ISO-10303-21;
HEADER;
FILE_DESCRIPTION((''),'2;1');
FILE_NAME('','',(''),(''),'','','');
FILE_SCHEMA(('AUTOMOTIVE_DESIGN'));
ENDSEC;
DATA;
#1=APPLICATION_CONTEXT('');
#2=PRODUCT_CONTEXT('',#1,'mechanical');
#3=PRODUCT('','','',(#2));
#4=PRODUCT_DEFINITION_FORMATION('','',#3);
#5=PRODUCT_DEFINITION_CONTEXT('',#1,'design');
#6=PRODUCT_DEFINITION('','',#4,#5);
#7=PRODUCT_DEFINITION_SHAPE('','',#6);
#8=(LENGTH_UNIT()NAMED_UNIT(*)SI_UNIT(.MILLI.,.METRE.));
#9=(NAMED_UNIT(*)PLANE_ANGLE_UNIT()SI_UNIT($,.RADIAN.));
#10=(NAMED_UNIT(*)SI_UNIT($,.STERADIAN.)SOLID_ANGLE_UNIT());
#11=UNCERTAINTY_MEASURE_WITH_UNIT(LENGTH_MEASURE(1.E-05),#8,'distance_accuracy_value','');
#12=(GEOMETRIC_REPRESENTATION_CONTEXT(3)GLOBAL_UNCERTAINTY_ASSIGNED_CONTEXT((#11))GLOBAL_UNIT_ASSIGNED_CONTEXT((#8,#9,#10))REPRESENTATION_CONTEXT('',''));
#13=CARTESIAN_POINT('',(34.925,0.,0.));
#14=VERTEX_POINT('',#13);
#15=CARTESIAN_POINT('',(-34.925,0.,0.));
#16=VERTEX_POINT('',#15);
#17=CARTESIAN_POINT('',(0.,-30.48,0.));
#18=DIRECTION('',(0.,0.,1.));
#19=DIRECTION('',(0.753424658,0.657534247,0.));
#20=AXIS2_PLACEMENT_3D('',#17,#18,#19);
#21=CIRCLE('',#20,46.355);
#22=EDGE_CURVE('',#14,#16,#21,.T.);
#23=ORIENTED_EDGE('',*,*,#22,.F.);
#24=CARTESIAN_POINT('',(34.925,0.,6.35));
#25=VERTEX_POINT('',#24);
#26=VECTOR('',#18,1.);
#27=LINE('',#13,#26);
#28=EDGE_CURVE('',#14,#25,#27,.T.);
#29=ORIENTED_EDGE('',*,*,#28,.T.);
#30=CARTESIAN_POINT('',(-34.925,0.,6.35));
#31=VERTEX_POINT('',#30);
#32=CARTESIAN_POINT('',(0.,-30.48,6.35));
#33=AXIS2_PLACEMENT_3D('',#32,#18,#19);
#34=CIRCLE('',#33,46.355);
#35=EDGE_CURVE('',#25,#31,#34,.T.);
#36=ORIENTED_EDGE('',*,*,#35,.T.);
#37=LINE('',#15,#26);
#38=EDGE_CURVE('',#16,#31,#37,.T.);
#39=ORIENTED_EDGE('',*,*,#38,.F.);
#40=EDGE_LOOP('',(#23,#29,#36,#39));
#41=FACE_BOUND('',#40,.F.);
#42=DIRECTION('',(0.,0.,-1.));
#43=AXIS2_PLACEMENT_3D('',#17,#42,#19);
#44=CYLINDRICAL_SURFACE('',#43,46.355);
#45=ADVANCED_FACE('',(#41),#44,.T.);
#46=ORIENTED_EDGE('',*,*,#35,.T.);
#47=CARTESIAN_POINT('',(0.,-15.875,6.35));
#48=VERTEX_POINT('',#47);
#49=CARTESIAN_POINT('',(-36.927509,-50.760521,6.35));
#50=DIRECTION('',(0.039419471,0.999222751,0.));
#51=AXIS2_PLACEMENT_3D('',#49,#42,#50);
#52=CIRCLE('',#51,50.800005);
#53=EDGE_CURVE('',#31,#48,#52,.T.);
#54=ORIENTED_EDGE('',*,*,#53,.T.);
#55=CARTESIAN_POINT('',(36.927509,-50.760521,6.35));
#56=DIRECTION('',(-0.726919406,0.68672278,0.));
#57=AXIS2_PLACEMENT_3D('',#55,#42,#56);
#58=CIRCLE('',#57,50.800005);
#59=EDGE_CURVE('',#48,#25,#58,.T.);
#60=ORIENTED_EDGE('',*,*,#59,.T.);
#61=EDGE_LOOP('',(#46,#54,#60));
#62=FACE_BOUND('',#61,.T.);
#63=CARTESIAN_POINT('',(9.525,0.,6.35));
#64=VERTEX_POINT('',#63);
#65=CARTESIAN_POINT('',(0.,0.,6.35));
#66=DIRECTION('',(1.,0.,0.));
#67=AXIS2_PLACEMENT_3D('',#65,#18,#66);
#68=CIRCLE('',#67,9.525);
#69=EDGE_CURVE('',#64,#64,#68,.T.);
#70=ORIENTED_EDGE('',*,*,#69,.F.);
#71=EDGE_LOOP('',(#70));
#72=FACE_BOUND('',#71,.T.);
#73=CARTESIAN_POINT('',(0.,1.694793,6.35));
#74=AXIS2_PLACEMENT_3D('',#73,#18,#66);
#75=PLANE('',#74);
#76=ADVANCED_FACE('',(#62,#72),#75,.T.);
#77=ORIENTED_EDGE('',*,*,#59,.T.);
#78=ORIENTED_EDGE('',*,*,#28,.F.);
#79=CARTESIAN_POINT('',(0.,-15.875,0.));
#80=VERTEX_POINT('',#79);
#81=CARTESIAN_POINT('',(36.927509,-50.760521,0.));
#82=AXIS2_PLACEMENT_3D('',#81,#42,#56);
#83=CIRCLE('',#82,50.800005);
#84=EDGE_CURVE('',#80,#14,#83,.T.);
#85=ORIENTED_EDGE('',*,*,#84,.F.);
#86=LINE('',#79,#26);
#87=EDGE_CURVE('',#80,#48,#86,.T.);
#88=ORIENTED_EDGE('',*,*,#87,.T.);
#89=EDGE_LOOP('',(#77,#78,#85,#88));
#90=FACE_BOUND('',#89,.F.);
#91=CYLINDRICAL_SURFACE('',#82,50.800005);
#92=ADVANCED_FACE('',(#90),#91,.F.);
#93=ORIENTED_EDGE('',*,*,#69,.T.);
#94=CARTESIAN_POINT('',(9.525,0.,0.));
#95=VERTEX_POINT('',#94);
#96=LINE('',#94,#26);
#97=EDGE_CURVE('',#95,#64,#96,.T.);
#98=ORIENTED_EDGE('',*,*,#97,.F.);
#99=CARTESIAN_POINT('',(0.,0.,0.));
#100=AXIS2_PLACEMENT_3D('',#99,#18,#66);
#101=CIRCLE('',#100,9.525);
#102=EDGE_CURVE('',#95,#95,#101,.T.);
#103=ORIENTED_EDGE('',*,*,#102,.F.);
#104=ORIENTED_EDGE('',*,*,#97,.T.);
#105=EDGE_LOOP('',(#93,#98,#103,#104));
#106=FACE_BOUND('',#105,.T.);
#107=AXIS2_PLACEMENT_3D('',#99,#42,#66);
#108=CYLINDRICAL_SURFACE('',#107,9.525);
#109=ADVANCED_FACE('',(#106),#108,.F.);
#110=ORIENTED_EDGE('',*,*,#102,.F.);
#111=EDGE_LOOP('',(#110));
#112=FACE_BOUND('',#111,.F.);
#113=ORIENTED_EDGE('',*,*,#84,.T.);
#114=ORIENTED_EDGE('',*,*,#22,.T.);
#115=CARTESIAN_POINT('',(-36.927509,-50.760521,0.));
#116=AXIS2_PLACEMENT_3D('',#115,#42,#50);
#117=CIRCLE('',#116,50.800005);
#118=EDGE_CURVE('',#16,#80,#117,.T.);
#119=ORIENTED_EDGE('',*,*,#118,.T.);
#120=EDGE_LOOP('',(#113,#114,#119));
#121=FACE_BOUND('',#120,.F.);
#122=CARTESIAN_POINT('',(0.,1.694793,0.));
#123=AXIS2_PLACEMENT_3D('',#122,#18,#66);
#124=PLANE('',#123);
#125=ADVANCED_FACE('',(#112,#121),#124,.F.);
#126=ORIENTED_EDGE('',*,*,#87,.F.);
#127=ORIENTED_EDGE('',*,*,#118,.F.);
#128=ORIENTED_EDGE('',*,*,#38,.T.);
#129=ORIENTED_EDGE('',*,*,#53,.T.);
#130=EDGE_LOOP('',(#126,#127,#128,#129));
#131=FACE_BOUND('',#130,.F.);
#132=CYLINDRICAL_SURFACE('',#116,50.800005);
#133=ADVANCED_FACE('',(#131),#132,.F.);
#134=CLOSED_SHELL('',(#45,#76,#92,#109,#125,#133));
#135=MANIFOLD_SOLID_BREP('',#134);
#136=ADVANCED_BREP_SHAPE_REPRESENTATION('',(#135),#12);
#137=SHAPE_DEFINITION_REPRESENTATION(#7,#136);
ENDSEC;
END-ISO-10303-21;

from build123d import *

# Parameters (mm, degrees)
F0_R     = 9.525
F1_DEPTH = 6.35


with BuildPart() as f1:
    # F0 (on Top) → F1 (new body)
    with BuildSketch(Plane.XY):
        with BuildLine():
            ThreePointArc((0, -15.875), (15.906318, -4.513899), (34.925, 0))
            ThreePointArc((34.925, 0), (0, 15.875), (-34.925, 0))
            ThreePointArc((-34.925, 0), (-15.906318, -4.513899), (0, -15.875))
        make_face()
        Circle(F0_R, mode=Mode.SUBTRACT)
    extrude(amount=F1_DEPTH)


solid = f1.part
